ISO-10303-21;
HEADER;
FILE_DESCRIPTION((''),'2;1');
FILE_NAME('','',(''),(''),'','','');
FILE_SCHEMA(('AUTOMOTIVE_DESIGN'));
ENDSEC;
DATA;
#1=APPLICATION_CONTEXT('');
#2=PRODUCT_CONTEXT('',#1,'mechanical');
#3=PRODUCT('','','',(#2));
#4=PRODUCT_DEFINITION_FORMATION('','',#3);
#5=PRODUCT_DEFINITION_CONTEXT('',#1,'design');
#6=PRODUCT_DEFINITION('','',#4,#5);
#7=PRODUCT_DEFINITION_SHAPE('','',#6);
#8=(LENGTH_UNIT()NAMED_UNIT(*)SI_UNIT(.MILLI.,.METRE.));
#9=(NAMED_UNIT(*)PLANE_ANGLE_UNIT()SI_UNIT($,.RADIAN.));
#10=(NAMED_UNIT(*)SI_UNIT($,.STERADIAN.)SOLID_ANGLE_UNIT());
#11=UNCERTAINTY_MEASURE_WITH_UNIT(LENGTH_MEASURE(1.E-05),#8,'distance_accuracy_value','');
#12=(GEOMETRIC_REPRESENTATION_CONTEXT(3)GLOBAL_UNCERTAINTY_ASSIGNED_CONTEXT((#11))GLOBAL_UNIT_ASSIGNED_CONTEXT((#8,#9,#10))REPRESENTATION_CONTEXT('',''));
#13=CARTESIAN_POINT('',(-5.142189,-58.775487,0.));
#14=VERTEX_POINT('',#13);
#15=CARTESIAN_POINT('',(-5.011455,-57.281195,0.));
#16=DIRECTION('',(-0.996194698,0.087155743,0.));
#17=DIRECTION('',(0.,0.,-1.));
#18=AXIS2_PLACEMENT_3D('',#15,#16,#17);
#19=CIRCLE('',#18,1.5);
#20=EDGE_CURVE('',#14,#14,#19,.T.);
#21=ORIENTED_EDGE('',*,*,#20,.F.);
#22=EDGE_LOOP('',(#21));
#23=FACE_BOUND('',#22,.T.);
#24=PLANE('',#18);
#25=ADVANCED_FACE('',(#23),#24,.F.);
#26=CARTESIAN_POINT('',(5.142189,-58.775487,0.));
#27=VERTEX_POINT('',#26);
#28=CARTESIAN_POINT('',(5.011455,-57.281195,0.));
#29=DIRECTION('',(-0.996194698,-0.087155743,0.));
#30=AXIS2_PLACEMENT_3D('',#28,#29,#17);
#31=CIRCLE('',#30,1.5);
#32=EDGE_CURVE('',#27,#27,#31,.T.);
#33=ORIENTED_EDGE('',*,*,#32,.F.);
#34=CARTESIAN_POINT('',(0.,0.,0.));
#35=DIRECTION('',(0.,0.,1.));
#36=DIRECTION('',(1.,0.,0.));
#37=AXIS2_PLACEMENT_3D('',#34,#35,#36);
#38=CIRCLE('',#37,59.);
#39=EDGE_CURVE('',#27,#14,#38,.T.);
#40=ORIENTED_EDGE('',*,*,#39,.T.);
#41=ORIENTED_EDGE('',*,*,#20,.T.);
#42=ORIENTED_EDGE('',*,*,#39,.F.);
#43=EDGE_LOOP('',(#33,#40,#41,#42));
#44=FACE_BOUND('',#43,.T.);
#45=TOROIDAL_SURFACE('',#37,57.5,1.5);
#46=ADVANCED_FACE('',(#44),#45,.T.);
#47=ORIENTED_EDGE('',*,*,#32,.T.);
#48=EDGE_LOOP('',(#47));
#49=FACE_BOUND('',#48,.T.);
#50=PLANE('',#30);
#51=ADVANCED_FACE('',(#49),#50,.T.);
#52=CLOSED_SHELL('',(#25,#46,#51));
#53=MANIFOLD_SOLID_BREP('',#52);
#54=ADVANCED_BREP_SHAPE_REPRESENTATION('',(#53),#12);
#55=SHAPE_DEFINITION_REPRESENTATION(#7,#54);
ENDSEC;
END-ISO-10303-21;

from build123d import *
from build123d.topology import SkipClean

# Parameters (mm, degrees)
SKETCH1_R      = 1.5
REVOLVE1_ANGLE = 350


with BuildPart() as part:
    # Sketch1 → Revolve1 (revolve, symmetric)
    with SkipClean():  # the faces are left unmerged after this step: merging them gives an invalid solid
        with BuildSketch(Plane(origin=(0, 0, 0), x_dir=(0, 0, -1), z_dir=(1, 0, 0))) as revolve1_sk:
            with Locations((0, 57.5)):
                Circle(SKETCH1_R)
        revolve(axis=Axis((0, 0, 0), (0, 0, -1)), revolution_arc=REVOLVE1_ANGLE / 2)
        revolve(revolve1_sk.sketch, axis=Axis((0, 0, 0), (0, 0, 1)), revolution_arc=REVOLVE1_ANGLE / 2)


solid = part.part
